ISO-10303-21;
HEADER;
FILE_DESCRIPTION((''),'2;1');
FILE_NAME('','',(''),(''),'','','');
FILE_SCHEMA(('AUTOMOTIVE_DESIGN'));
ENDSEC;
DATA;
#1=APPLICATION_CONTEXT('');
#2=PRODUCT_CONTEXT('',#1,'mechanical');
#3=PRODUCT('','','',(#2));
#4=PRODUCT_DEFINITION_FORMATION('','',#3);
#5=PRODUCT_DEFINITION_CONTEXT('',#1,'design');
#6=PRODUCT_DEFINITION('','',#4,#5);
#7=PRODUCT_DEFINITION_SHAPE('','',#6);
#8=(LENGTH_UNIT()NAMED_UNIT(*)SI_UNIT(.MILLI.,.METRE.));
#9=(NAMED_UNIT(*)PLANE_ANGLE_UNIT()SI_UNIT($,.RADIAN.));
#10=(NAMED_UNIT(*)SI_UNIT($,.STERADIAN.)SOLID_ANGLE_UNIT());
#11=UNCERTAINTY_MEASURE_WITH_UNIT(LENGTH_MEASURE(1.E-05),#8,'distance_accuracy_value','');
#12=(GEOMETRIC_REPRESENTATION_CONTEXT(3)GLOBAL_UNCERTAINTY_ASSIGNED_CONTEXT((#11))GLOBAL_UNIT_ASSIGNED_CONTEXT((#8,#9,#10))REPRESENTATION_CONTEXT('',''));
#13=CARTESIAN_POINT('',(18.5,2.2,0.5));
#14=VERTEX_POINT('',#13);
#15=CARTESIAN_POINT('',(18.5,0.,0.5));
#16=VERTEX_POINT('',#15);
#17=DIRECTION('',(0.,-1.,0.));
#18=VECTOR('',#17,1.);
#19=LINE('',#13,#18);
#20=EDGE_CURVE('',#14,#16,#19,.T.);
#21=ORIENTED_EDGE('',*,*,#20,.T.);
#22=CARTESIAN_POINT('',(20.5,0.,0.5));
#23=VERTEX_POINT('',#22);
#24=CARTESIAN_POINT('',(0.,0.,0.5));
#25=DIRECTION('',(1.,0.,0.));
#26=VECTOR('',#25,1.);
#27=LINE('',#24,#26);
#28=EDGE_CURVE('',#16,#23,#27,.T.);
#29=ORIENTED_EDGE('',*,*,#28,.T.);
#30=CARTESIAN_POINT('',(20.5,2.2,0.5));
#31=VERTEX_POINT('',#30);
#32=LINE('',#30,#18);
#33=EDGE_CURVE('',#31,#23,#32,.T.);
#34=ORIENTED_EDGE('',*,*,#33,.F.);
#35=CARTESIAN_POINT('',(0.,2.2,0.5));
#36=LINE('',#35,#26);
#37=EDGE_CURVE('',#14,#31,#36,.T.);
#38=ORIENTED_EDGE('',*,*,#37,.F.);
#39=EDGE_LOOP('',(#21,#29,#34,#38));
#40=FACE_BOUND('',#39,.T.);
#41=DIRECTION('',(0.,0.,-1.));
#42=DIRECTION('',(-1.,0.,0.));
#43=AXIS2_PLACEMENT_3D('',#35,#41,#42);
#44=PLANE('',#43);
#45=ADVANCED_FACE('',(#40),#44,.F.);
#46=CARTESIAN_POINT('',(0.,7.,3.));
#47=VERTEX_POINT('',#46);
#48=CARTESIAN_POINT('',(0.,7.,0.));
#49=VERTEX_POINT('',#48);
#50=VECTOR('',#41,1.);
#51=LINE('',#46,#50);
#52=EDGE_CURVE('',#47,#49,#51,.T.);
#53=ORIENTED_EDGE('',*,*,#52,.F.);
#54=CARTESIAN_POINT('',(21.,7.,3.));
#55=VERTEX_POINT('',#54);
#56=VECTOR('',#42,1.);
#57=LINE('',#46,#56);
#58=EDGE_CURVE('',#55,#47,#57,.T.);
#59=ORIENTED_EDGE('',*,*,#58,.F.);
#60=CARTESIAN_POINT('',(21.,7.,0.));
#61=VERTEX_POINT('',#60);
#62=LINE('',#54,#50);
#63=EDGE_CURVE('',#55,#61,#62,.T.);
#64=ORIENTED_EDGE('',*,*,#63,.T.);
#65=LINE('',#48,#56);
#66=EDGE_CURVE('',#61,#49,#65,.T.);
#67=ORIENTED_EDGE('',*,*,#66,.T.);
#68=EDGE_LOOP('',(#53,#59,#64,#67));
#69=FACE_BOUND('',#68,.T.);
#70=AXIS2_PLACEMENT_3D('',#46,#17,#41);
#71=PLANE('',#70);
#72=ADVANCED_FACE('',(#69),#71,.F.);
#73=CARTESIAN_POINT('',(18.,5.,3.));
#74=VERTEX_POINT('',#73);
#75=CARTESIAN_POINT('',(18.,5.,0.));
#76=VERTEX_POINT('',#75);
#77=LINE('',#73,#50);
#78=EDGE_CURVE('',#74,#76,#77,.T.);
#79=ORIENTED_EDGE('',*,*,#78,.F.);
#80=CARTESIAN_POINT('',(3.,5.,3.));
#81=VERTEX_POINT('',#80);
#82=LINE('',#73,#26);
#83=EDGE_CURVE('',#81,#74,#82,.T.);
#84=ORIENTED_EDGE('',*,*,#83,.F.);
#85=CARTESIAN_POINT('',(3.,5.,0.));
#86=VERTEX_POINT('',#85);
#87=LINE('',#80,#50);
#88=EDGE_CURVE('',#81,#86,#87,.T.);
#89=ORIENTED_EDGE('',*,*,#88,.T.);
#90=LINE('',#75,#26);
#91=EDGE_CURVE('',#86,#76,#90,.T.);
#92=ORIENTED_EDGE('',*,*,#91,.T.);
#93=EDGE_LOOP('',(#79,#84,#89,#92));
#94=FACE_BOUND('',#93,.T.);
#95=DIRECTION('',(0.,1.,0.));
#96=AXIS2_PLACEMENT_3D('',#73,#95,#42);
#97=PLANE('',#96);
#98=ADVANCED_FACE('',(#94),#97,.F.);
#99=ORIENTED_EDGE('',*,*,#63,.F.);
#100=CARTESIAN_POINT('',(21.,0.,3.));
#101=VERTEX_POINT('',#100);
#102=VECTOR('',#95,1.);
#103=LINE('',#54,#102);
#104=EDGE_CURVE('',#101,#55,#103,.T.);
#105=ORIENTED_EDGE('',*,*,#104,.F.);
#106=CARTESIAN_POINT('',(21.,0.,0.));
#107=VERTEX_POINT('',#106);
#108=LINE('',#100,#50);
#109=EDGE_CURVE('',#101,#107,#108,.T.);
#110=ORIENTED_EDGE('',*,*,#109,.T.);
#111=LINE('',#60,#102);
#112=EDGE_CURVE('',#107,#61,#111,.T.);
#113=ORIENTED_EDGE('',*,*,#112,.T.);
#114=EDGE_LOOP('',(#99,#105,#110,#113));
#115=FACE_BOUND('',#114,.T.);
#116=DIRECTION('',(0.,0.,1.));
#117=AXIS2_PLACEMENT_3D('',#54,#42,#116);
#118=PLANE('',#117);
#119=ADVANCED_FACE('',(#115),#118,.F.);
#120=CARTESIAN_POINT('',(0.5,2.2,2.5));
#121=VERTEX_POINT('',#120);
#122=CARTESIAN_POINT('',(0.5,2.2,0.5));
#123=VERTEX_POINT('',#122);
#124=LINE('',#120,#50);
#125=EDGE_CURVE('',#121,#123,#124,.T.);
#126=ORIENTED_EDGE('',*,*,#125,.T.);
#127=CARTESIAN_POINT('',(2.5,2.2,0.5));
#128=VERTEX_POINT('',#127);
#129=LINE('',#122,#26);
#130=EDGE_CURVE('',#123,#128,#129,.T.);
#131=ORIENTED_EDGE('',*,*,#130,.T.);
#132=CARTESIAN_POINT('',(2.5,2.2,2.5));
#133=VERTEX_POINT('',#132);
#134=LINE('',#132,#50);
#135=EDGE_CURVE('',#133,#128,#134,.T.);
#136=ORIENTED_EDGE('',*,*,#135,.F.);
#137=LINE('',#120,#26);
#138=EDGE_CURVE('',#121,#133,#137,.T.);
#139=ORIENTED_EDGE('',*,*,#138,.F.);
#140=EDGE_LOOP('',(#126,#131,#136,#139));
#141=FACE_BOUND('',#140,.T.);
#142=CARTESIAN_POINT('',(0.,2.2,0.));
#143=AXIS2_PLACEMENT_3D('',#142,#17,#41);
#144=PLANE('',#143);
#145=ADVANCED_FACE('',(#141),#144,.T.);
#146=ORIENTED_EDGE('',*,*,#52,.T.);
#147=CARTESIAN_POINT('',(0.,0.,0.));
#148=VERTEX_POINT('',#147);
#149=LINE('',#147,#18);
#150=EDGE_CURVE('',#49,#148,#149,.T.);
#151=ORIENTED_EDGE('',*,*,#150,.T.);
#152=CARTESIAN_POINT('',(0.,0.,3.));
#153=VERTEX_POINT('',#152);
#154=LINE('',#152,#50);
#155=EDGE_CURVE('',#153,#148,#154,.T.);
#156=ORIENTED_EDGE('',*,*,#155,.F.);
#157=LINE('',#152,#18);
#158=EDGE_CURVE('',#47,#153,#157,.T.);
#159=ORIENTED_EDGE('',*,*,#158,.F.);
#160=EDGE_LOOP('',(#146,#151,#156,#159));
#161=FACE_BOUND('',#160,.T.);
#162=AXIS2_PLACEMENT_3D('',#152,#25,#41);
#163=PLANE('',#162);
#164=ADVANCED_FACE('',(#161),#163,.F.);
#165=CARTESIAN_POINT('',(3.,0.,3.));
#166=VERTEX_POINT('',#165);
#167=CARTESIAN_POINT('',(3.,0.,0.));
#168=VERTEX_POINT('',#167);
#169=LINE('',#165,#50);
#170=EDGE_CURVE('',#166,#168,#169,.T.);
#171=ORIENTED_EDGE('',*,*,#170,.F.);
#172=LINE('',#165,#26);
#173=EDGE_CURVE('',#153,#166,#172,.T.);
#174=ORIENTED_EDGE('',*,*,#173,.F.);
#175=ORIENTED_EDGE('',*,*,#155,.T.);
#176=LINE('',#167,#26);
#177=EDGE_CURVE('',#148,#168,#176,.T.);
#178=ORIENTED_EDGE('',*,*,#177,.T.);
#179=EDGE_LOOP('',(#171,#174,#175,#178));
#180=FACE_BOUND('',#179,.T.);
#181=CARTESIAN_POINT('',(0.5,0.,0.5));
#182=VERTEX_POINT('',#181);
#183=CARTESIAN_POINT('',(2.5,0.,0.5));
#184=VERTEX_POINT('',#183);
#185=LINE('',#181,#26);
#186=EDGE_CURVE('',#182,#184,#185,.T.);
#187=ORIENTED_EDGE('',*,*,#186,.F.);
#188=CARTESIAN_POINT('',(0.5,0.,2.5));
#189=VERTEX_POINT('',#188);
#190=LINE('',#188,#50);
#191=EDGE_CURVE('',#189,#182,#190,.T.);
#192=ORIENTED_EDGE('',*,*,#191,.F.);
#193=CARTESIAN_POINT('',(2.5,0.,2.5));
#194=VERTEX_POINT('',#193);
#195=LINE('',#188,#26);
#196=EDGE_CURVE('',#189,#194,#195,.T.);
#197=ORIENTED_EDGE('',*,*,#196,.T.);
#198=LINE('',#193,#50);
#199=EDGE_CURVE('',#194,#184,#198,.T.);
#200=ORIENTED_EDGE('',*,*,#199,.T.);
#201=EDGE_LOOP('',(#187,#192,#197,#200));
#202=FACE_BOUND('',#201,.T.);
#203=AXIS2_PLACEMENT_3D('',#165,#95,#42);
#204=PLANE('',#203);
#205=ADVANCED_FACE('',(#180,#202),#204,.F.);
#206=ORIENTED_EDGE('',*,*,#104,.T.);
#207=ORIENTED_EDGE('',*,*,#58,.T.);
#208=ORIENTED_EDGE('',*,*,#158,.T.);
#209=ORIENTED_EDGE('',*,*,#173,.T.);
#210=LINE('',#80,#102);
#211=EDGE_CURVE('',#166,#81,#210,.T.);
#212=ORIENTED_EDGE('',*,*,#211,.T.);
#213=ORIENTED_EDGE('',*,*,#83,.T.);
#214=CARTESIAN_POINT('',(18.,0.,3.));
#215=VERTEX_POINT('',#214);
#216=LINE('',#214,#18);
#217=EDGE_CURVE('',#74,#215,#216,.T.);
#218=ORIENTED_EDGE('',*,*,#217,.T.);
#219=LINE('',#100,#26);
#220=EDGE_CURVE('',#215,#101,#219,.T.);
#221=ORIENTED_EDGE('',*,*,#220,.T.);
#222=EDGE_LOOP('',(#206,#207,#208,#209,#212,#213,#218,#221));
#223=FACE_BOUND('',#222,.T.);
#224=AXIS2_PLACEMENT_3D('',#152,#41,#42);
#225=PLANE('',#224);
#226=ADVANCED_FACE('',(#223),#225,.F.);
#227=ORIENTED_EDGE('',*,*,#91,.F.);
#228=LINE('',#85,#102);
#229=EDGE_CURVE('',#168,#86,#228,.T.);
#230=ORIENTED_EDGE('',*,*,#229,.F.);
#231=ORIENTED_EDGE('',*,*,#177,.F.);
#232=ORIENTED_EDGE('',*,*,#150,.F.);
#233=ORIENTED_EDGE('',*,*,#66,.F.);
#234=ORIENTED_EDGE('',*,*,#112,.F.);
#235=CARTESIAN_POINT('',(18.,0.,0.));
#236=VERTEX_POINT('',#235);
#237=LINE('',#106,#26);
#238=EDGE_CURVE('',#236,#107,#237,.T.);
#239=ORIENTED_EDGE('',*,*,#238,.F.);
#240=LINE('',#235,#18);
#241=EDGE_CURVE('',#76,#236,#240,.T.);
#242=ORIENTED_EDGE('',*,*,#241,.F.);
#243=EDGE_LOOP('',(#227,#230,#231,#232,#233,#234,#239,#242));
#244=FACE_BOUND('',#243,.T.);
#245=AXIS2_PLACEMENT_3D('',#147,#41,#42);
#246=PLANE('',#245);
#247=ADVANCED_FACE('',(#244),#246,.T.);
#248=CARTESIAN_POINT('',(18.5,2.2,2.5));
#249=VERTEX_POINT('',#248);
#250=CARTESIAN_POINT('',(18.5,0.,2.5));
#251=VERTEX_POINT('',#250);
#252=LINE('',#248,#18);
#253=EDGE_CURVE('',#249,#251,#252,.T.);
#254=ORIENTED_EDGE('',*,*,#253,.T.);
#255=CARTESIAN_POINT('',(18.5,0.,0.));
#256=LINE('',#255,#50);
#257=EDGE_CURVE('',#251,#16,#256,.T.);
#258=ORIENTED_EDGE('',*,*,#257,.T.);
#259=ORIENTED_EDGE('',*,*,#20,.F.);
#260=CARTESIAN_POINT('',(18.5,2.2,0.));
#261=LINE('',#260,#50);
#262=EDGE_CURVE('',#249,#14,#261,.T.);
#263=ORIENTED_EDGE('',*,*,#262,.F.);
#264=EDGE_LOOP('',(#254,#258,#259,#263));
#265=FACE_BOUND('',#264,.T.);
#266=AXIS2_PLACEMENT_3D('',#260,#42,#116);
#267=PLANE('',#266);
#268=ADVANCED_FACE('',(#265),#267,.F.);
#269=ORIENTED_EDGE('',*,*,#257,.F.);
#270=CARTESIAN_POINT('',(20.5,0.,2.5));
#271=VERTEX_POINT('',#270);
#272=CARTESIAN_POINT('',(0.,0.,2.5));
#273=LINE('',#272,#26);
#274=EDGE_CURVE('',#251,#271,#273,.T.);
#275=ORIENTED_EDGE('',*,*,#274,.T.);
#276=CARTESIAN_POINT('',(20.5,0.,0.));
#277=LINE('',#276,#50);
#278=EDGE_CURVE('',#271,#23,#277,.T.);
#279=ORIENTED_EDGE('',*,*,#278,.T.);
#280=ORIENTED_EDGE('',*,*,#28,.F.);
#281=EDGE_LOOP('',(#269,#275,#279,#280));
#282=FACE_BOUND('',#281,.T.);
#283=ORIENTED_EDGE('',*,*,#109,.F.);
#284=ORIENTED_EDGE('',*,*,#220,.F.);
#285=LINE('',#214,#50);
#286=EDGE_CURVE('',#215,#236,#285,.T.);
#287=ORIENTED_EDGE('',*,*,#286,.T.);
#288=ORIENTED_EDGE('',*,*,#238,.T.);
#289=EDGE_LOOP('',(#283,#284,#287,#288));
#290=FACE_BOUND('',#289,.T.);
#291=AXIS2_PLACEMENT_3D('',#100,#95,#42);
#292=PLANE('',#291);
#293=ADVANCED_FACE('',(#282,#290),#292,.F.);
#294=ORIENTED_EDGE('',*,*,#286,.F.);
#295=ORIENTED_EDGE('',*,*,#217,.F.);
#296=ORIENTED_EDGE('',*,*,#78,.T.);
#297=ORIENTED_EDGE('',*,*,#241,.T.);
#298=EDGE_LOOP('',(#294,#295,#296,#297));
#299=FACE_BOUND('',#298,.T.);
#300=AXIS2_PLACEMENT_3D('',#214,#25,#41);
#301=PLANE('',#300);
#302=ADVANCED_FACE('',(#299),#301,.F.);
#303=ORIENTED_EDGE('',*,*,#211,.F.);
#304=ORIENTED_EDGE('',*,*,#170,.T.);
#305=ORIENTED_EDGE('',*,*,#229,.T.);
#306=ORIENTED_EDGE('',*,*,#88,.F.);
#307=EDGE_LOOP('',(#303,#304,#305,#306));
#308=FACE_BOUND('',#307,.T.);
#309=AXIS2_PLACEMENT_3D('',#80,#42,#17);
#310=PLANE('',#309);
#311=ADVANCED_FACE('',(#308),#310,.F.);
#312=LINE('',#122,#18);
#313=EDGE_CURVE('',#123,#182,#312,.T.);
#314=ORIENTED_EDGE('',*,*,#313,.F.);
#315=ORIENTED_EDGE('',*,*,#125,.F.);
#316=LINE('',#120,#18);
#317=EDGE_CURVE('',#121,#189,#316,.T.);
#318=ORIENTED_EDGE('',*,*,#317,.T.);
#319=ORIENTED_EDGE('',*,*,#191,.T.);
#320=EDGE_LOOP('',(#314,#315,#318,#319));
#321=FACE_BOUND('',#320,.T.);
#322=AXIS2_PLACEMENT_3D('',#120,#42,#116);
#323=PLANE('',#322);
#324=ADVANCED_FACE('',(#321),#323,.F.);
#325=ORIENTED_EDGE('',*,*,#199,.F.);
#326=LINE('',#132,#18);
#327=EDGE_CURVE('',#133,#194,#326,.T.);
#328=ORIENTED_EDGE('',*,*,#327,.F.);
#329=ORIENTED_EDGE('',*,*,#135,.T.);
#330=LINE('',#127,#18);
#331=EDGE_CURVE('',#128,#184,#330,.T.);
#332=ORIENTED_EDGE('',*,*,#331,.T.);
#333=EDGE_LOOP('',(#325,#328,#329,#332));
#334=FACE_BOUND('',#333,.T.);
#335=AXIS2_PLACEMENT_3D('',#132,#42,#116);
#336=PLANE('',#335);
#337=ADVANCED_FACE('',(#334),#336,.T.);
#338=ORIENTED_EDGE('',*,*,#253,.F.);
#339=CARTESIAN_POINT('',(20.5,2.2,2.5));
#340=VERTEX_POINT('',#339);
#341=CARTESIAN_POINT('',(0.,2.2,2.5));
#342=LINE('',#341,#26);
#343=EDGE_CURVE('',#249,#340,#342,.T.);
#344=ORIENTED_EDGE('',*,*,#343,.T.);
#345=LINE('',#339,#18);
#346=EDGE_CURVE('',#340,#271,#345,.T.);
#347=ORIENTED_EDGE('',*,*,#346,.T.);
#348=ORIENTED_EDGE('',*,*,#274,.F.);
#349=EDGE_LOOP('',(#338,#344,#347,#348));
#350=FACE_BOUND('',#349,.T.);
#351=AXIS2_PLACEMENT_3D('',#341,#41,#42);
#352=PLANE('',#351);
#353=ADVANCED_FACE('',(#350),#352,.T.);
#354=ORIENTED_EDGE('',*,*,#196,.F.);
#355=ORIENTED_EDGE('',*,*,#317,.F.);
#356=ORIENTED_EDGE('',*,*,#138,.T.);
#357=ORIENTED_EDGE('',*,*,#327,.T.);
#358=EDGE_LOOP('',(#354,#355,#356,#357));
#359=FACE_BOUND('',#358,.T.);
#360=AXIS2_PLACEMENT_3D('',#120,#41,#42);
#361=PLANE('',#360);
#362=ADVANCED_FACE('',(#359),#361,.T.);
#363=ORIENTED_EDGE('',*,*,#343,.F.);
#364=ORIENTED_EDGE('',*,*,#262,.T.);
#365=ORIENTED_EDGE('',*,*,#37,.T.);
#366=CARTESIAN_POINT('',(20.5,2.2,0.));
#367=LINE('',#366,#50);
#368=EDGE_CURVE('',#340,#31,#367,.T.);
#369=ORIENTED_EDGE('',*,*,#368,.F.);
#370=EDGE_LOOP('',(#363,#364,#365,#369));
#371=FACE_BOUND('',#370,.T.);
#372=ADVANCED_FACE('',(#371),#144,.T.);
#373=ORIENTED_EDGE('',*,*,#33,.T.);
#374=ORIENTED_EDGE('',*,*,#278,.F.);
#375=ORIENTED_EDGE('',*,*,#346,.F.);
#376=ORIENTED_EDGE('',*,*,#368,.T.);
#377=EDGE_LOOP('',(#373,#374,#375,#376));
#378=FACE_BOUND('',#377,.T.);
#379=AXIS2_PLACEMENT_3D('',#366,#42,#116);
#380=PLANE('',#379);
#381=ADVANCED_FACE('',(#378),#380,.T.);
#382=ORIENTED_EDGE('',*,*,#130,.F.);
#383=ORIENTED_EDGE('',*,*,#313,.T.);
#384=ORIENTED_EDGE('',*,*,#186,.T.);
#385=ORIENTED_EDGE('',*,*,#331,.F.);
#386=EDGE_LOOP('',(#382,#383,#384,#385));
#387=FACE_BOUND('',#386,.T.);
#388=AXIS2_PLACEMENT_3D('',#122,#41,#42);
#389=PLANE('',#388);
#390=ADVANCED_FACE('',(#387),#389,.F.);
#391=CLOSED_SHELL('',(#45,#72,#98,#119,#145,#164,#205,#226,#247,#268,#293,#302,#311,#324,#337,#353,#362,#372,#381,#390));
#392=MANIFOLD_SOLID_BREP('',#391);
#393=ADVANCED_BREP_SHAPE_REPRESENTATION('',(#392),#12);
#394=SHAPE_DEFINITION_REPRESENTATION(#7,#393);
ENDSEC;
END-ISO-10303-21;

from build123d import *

# Parameters (mm, degrees)
BOSS_EXTRUDE1_DEPTH = 3
SKETCH2_W           = 2
SKETCH2_H           = 2
CUT_EXTRUDE1_DEPTH  = 2.2


with BuildPart() as part:
    # Sketch1 → Boss-Extrude1 (new body)
    with BuildSketch(Plane.XY):
        Polygon((0, 0), (0, 7), (21, 7), (21, 0), (18, 0), (18, 5), (3, 5), (3, 0), align=None)
    extrude(amount=BOSS_EXTRUDE1_DEPTH)

    # Sketch2 → Cut-Extrude1 (cut)
    with BuildSketch(Plane.XZ):
        with Locations((19.5, 1.5)):
            Rectangle(SKETCH2_W, SKETCH2_H)
        with Locations((1.5, 1.5)):
            Rectangle(SKETCH2_W, SKETCH2_H)
    extrude(amount=-CUT_EXTRUDE1_DEPTH, mode=Mode.SUBTRACT)


solid = part.part
